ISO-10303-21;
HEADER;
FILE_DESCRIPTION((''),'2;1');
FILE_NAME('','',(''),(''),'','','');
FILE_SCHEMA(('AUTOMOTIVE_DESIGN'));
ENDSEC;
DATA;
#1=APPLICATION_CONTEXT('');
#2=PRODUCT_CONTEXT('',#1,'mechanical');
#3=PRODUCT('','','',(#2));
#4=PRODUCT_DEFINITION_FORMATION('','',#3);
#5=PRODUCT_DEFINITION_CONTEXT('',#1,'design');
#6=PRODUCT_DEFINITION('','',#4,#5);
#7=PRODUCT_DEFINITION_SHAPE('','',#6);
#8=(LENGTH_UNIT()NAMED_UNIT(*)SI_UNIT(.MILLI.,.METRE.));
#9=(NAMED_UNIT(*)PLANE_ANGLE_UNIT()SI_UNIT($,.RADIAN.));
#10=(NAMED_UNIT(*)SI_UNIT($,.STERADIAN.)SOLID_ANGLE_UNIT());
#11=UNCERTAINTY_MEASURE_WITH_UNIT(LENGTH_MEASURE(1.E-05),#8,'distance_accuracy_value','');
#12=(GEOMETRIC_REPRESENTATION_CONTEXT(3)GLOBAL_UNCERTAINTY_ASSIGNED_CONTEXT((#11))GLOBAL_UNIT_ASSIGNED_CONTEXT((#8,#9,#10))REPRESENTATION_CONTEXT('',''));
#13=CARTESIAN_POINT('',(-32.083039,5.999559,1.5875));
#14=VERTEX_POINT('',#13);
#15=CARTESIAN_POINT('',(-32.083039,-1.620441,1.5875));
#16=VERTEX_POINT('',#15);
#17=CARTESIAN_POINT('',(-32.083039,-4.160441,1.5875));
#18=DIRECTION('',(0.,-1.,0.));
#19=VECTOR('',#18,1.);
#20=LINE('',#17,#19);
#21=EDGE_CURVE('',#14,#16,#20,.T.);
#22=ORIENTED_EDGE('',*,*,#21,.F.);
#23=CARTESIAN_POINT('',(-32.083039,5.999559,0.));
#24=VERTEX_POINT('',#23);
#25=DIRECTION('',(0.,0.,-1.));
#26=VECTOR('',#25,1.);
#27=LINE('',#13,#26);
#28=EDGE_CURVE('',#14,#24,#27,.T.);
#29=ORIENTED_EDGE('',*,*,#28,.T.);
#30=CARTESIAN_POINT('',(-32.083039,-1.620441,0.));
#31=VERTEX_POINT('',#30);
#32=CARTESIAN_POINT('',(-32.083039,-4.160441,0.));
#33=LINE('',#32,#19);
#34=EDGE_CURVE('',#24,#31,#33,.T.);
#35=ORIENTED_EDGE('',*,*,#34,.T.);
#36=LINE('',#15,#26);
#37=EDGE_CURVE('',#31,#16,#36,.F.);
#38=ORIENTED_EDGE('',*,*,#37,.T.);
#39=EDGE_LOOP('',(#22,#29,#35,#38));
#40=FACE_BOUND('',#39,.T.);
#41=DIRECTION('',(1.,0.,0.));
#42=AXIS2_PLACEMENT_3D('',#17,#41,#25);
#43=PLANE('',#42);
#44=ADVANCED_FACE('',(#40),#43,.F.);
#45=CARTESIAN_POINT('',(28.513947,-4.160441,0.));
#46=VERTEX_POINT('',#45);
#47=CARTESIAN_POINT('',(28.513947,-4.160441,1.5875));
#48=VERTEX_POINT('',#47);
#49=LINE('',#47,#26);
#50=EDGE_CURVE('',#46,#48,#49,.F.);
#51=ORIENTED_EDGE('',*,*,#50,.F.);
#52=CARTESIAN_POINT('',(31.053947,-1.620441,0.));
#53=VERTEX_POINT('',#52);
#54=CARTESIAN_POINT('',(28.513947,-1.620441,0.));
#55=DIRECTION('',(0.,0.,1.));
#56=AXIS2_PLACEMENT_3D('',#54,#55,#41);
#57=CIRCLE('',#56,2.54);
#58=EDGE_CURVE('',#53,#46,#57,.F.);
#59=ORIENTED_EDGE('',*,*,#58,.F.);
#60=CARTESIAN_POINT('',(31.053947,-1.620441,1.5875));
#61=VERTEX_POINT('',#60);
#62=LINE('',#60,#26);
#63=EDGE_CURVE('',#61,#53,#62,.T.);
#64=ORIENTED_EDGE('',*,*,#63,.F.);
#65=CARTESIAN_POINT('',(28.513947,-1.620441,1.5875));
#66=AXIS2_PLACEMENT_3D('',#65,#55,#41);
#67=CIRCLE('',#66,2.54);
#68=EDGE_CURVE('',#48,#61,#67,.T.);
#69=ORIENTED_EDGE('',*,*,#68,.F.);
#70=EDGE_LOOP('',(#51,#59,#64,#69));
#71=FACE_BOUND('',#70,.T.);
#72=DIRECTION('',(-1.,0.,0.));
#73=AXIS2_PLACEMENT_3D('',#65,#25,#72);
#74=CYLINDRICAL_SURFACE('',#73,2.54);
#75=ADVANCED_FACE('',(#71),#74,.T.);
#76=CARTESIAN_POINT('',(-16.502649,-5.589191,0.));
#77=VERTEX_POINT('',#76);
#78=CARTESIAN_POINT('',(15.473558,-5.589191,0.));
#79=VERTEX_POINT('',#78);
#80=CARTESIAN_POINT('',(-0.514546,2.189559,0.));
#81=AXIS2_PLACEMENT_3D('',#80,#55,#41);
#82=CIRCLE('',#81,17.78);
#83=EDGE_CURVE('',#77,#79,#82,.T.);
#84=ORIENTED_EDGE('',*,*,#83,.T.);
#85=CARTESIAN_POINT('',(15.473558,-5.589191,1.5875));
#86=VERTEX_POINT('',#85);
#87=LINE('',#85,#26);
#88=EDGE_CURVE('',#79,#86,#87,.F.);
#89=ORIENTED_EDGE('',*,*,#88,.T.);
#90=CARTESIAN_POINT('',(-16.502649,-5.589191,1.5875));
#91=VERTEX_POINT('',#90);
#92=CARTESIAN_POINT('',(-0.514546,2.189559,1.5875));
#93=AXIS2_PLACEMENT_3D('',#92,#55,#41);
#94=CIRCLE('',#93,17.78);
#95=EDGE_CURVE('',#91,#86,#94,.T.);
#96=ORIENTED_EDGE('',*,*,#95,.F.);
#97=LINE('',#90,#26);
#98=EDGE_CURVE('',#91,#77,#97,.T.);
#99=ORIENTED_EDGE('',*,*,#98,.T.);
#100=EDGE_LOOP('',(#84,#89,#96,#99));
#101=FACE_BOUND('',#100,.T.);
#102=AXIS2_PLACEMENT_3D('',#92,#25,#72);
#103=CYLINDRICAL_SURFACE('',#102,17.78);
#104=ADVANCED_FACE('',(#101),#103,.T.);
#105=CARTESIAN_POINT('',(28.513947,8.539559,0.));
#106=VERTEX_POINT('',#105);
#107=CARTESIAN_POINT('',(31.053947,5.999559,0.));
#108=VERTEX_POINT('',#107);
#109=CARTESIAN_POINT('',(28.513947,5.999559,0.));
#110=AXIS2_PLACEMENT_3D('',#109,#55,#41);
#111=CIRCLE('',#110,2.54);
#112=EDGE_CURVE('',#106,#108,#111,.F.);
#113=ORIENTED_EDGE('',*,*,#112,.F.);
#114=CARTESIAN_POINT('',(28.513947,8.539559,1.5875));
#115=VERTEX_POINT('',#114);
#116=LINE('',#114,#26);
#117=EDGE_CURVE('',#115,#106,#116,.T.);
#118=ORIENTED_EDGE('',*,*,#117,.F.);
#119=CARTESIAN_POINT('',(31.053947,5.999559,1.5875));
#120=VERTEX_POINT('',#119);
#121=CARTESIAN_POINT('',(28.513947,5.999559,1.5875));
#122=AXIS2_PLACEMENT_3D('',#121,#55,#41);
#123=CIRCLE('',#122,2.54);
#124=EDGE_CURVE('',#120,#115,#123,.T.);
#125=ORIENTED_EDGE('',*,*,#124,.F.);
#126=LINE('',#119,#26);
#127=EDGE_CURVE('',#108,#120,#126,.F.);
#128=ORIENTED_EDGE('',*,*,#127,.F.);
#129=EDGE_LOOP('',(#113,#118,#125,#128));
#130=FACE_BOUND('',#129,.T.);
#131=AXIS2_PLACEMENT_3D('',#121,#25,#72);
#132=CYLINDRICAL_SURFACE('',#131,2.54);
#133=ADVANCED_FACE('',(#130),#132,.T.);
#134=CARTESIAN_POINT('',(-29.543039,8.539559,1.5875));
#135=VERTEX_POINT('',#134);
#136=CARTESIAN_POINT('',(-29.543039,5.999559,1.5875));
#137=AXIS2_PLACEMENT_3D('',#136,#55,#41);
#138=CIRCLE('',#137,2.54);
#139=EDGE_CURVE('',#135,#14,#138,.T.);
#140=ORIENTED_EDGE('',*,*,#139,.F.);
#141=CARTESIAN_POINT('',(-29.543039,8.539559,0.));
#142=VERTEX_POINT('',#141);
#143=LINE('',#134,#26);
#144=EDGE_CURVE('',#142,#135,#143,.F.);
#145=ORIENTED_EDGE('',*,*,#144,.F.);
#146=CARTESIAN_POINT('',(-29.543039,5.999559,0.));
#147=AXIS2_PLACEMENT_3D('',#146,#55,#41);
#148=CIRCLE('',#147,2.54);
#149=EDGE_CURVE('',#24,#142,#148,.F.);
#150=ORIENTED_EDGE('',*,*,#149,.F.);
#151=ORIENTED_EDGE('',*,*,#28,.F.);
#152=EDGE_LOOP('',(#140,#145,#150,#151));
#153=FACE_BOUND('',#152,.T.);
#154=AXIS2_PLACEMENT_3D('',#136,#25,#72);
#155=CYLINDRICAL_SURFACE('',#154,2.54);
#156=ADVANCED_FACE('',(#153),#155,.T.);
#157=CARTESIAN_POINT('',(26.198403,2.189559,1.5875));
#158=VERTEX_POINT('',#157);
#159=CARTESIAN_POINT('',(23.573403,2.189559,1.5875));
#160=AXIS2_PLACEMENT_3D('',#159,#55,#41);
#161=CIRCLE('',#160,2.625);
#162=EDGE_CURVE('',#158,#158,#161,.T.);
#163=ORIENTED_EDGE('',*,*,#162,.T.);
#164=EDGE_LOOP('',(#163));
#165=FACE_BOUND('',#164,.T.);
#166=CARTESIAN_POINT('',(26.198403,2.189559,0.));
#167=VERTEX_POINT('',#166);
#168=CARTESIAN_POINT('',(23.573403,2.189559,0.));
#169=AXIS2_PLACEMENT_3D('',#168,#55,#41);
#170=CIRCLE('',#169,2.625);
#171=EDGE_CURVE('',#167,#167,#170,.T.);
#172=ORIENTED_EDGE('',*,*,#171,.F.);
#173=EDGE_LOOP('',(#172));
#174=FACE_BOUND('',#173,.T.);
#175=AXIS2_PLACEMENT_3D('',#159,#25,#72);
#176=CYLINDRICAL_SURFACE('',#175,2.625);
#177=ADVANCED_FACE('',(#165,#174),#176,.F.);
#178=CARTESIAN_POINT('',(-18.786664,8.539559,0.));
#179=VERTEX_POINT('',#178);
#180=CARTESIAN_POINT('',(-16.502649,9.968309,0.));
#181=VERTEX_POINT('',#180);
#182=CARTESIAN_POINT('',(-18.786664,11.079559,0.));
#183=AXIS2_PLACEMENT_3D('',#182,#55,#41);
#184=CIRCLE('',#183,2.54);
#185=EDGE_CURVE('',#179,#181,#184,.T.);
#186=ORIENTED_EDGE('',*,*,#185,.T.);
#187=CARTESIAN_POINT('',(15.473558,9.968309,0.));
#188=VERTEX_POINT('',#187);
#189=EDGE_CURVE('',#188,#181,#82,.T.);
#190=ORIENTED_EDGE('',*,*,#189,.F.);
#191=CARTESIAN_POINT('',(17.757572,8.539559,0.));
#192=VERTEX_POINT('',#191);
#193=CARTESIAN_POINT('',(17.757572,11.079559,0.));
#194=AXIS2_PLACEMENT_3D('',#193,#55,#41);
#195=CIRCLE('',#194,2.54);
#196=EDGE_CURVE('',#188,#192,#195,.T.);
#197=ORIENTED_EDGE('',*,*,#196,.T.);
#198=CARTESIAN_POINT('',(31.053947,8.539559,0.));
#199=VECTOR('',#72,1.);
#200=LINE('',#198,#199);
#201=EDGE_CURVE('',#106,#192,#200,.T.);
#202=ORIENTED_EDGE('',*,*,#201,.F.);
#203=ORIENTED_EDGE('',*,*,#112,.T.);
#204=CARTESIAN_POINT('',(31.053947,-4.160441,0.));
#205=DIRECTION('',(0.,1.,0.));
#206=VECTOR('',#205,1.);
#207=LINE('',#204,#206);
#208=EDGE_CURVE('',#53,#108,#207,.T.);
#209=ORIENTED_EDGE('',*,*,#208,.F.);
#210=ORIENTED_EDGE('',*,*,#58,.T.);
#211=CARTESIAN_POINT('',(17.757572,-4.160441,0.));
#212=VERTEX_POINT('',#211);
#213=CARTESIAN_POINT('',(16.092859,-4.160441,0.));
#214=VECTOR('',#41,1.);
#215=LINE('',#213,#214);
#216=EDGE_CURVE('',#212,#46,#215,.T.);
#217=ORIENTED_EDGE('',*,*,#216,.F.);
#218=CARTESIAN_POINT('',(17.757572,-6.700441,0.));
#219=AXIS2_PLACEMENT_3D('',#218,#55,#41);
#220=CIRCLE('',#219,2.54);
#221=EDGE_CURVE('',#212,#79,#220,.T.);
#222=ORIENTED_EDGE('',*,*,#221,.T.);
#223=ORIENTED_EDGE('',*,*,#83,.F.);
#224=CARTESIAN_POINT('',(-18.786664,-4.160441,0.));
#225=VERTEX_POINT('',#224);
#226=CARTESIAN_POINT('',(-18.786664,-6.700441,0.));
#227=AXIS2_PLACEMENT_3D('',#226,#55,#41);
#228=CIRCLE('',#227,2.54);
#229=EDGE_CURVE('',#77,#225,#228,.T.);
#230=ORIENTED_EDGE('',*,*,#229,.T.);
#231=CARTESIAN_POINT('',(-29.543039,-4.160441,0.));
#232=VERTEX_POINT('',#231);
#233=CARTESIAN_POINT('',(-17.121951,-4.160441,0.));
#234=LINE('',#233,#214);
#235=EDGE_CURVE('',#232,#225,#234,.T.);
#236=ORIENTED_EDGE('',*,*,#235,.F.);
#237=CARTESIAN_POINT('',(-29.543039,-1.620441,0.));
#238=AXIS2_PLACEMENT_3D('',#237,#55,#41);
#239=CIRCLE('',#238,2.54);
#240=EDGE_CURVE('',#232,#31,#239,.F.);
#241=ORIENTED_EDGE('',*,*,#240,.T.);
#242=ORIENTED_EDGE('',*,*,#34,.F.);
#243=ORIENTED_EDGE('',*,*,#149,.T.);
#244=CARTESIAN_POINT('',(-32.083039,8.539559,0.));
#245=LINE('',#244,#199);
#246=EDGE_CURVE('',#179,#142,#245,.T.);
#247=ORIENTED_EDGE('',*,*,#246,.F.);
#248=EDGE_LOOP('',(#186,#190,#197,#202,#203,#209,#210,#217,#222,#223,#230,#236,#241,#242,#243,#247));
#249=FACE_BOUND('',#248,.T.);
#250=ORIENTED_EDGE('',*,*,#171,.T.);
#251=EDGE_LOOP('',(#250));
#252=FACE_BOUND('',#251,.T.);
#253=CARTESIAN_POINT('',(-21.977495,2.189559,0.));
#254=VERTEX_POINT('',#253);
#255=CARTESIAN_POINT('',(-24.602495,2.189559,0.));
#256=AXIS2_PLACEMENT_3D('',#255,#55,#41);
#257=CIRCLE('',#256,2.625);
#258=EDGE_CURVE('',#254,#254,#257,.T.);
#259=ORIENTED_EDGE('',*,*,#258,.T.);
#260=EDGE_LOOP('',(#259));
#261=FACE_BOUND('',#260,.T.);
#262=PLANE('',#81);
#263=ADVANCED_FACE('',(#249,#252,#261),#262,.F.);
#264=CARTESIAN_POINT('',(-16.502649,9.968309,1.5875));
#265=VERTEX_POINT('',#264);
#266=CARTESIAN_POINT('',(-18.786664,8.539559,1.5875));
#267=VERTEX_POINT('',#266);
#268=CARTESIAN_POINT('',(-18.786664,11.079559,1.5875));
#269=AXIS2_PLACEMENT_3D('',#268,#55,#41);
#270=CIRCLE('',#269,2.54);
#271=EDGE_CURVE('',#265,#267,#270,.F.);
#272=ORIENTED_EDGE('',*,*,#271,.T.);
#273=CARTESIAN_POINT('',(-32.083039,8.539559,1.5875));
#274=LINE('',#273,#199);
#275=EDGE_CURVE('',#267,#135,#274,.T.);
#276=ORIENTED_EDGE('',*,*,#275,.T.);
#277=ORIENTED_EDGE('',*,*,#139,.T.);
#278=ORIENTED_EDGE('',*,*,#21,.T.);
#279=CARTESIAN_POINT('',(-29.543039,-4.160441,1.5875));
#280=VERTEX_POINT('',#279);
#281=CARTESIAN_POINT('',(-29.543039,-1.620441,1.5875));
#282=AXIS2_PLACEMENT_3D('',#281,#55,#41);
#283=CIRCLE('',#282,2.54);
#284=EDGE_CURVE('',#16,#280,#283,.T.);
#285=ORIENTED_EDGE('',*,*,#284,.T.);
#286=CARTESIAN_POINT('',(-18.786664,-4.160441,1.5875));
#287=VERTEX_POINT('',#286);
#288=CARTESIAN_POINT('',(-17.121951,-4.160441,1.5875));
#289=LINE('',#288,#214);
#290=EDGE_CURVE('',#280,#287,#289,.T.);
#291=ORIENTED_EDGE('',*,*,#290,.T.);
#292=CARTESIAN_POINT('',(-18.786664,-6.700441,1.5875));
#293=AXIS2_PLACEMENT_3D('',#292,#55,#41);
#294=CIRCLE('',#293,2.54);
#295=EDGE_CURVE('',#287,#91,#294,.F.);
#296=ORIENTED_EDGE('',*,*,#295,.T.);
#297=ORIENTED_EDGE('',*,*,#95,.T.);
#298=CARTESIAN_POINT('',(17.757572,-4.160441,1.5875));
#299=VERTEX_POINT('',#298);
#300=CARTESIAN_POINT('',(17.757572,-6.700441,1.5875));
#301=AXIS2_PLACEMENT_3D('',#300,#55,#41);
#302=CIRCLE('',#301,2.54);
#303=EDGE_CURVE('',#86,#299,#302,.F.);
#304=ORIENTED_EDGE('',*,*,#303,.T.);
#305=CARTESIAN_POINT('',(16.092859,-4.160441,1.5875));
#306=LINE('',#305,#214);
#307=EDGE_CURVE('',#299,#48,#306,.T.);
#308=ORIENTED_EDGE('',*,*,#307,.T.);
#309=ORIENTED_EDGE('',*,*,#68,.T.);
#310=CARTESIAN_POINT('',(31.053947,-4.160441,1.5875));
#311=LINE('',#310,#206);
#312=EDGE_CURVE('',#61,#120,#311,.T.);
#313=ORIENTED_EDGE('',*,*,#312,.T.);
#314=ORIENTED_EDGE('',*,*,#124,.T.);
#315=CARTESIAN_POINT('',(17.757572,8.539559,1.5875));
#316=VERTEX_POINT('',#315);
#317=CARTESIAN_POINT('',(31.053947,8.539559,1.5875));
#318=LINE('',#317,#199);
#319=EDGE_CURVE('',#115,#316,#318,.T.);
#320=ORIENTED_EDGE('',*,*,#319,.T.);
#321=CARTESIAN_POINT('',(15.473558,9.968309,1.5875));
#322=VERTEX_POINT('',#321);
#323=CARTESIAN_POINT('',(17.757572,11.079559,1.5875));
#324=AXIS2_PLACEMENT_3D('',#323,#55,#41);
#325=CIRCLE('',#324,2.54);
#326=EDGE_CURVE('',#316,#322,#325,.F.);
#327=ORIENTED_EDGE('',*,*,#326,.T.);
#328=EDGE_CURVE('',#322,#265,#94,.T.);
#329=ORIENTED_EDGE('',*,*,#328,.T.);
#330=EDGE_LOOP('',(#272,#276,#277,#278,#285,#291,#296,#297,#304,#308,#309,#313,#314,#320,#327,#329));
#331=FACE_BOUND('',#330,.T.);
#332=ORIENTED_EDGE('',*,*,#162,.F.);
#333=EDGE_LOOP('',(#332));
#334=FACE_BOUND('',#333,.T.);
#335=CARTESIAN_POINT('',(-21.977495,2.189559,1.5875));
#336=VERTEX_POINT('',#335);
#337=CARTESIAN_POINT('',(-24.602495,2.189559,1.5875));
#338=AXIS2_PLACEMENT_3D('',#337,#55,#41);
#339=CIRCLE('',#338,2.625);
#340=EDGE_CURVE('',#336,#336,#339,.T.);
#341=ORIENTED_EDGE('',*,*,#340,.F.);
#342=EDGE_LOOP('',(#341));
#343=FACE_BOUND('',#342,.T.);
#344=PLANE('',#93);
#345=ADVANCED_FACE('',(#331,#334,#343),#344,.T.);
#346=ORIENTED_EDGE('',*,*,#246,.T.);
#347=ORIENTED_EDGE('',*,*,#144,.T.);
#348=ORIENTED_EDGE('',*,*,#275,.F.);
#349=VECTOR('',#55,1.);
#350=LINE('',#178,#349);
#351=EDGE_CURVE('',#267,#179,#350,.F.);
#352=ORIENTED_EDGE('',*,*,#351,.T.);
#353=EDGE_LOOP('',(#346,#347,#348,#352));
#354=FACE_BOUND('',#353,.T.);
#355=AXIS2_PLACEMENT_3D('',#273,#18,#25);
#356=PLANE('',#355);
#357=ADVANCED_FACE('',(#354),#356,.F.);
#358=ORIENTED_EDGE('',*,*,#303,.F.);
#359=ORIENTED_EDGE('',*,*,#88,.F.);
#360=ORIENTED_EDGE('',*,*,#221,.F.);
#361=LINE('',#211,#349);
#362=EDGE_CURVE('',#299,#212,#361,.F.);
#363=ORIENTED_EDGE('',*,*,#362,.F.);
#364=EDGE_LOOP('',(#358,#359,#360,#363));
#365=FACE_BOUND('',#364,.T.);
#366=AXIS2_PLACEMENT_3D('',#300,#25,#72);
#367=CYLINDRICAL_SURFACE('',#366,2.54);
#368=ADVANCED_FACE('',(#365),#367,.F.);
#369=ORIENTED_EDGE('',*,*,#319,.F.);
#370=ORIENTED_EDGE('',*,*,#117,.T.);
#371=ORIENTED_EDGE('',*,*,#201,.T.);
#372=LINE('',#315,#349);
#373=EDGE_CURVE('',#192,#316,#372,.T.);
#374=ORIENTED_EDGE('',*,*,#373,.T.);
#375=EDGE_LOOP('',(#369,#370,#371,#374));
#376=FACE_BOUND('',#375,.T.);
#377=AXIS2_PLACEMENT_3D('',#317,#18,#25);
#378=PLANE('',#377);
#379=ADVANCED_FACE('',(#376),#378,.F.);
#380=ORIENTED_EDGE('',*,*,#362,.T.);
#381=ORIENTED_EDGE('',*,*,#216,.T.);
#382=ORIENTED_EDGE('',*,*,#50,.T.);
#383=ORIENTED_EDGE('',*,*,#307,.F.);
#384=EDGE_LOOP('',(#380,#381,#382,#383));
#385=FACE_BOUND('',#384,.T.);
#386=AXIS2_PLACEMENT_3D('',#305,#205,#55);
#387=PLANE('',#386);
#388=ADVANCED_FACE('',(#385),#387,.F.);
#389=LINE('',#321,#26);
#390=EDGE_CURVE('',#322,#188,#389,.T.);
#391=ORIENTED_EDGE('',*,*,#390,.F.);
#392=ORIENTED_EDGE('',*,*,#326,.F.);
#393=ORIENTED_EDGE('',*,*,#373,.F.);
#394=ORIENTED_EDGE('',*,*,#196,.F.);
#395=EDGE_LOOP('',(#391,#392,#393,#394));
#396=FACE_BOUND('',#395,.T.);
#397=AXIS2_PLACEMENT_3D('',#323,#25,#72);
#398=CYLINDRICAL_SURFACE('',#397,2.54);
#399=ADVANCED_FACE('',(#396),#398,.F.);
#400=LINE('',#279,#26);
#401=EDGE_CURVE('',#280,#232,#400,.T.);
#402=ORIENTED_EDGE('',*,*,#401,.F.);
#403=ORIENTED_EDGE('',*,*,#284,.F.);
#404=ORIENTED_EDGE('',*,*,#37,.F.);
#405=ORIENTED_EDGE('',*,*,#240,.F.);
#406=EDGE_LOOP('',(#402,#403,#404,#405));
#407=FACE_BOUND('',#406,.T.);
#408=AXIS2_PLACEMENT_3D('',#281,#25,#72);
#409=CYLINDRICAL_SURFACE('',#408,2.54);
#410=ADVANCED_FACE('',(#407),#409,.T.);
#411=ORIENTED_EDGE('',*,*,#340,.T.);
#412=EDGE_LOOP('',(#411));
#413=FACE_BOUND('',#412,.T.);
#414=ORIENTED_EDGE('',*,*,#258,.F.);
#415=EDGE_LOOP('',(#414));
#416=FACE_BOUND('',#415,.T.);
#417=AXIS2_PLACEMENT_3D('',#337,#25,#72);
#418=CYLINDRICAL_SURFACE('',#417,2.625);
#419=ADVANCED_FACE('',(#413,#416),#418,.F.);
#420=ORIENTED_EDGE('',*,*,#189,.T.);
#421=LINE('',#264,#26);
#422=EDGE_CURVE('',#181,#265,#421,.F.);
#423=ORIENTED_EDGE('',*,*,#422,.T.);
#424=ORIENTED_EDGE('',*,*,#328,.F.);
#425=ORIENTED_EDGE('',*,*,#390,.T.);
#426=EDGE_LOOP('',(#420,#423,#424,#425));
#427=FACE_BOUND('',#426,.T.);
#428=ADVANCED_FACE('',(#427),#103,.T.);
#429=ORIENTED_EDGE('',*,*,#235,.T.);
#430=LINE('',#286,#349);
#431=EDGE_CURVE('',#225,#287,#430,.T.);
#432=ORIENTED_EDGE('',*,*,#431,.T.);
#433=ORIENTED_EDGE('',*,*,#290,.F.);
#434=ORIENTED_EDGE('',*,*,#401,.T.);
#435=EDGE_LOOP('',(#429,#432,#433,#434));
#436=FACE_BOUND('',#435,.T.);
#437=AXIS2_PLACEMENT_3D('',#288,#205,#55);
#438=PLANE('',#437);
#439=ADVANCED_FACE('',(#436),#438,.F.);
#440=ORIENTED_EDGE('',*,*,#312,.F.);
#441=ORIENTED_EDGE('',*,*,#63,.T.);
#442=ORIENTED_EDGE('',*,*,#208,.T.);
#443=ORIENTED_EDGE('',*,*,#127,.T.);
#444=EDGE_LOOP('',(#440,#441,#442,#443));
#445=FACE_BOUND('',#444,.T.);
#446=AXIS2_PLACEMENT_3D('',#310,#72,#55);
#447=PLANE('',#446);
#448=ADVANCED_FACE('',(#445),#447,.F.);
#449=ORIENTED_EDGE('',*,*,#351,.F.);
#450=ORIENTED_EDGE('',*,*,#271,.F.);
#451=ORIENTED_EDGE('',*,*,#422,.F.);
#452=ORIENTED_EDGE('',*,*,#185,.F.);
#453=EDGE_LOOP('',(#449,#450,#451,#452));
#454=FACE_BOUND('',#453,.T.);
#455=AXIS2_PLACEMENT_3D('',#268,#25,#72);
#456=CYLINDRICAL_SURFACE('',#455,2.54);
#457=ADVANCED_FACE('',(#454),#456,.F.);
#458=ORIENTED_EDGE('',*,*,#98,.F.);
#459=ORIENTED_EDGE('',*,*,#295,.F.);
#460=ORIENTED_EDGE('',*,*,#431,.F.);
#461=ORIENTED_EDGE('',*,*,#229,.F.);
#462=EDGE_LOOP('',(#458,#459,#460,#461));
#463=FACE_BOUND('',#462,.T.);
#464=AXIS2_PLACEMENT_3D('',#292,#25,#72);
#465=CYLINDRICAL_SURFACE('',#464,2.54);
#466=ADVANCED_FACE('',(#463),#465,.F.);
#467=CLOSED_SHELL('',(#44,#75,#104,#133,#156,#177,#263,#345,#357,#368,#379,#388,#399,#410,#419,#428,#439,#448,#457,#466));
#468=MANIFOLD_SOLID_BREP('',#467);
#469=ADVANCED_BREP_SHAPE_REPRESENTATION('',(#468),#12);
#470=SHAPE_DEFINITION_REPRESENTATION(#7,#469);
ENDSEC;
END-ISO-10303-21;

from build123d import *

# Parameters (mm, degrees)
SKETCH1_R           = 2.625
BOSS_EXTRUDE1_DEPTH = 1.5875
FILLET1_R           = 2.54


with BuildPart() as part:
    # Sketch1 → Boss-Extrude1 (new body)
    with BuildSketch(Plane(origin=(0, 0, 0), x_dir=(-1, 0, 0), z_dir=(0, 0, 1))):
        with BuildLine():
            Line((-16.092859192, 4.160440607), (-31.053947254, 4.160440607))
            Line((-31.053947254, 4.160440607), (-31.053947254, -8.539559393))
            Line((-31.053947254, -8.539559393), (-16.092859192, -8.539559393))
            ThreePointArc((-16.092859192, -8.539559393), (0.514545783, -19.969559393), (17.121950758, -8.539559393))
            Line((17.121950758, -8.539559393), (32.08303882, -8.539559393))
            Line((32.08303882, -8.539559393), (32.08303882, 4.160440607))
            Line((32.08303882, 4.160440607), (17.121950758, 4.160440607))
            ThreePointArc((17.121950758, 4.160440607), (0.514545783, 15.590440607), (-16.092859192, 4.160440607))
        make_face()
        with Locations(Location((-23.573403223, -2.189559393, 0), (0, 0, 180))):
            Circle(SKETCH1_R, mode=Mode.SUBTRACT)
        with Locations(Location((24.602494789, -2.189559393, 0), (0, 0, 180))):
            Circle(SKETCH1_R, mode=Mode.SUBTRACT)
    extrude(amount=BOSS_EXTRUDE1_DEPTH)

    # Fillet1
    fillet1_edges = [part.edges().sort_by_distance(p)[0] for p in [
        (-17.121950758, -4.160440607, 0.79375),
        (-32.08303882, -4.160440607, 0.79375),
        (-32.08303882, 8.539559393, 0.79375),
        (-17.121950758, 8.539559393, 0.79375),
        (16.092859192, 8.539559393, 0.79375),
        (31.053947254, 8.539559393, 0.79375),
        (31.053947254, -4.160440607, 0.79375),
        (16.092859192, -4.160440607, 0.79375),
    ]]
    fillet(fillet1_edges, radius=FILLET1_R)


solid = part.part
